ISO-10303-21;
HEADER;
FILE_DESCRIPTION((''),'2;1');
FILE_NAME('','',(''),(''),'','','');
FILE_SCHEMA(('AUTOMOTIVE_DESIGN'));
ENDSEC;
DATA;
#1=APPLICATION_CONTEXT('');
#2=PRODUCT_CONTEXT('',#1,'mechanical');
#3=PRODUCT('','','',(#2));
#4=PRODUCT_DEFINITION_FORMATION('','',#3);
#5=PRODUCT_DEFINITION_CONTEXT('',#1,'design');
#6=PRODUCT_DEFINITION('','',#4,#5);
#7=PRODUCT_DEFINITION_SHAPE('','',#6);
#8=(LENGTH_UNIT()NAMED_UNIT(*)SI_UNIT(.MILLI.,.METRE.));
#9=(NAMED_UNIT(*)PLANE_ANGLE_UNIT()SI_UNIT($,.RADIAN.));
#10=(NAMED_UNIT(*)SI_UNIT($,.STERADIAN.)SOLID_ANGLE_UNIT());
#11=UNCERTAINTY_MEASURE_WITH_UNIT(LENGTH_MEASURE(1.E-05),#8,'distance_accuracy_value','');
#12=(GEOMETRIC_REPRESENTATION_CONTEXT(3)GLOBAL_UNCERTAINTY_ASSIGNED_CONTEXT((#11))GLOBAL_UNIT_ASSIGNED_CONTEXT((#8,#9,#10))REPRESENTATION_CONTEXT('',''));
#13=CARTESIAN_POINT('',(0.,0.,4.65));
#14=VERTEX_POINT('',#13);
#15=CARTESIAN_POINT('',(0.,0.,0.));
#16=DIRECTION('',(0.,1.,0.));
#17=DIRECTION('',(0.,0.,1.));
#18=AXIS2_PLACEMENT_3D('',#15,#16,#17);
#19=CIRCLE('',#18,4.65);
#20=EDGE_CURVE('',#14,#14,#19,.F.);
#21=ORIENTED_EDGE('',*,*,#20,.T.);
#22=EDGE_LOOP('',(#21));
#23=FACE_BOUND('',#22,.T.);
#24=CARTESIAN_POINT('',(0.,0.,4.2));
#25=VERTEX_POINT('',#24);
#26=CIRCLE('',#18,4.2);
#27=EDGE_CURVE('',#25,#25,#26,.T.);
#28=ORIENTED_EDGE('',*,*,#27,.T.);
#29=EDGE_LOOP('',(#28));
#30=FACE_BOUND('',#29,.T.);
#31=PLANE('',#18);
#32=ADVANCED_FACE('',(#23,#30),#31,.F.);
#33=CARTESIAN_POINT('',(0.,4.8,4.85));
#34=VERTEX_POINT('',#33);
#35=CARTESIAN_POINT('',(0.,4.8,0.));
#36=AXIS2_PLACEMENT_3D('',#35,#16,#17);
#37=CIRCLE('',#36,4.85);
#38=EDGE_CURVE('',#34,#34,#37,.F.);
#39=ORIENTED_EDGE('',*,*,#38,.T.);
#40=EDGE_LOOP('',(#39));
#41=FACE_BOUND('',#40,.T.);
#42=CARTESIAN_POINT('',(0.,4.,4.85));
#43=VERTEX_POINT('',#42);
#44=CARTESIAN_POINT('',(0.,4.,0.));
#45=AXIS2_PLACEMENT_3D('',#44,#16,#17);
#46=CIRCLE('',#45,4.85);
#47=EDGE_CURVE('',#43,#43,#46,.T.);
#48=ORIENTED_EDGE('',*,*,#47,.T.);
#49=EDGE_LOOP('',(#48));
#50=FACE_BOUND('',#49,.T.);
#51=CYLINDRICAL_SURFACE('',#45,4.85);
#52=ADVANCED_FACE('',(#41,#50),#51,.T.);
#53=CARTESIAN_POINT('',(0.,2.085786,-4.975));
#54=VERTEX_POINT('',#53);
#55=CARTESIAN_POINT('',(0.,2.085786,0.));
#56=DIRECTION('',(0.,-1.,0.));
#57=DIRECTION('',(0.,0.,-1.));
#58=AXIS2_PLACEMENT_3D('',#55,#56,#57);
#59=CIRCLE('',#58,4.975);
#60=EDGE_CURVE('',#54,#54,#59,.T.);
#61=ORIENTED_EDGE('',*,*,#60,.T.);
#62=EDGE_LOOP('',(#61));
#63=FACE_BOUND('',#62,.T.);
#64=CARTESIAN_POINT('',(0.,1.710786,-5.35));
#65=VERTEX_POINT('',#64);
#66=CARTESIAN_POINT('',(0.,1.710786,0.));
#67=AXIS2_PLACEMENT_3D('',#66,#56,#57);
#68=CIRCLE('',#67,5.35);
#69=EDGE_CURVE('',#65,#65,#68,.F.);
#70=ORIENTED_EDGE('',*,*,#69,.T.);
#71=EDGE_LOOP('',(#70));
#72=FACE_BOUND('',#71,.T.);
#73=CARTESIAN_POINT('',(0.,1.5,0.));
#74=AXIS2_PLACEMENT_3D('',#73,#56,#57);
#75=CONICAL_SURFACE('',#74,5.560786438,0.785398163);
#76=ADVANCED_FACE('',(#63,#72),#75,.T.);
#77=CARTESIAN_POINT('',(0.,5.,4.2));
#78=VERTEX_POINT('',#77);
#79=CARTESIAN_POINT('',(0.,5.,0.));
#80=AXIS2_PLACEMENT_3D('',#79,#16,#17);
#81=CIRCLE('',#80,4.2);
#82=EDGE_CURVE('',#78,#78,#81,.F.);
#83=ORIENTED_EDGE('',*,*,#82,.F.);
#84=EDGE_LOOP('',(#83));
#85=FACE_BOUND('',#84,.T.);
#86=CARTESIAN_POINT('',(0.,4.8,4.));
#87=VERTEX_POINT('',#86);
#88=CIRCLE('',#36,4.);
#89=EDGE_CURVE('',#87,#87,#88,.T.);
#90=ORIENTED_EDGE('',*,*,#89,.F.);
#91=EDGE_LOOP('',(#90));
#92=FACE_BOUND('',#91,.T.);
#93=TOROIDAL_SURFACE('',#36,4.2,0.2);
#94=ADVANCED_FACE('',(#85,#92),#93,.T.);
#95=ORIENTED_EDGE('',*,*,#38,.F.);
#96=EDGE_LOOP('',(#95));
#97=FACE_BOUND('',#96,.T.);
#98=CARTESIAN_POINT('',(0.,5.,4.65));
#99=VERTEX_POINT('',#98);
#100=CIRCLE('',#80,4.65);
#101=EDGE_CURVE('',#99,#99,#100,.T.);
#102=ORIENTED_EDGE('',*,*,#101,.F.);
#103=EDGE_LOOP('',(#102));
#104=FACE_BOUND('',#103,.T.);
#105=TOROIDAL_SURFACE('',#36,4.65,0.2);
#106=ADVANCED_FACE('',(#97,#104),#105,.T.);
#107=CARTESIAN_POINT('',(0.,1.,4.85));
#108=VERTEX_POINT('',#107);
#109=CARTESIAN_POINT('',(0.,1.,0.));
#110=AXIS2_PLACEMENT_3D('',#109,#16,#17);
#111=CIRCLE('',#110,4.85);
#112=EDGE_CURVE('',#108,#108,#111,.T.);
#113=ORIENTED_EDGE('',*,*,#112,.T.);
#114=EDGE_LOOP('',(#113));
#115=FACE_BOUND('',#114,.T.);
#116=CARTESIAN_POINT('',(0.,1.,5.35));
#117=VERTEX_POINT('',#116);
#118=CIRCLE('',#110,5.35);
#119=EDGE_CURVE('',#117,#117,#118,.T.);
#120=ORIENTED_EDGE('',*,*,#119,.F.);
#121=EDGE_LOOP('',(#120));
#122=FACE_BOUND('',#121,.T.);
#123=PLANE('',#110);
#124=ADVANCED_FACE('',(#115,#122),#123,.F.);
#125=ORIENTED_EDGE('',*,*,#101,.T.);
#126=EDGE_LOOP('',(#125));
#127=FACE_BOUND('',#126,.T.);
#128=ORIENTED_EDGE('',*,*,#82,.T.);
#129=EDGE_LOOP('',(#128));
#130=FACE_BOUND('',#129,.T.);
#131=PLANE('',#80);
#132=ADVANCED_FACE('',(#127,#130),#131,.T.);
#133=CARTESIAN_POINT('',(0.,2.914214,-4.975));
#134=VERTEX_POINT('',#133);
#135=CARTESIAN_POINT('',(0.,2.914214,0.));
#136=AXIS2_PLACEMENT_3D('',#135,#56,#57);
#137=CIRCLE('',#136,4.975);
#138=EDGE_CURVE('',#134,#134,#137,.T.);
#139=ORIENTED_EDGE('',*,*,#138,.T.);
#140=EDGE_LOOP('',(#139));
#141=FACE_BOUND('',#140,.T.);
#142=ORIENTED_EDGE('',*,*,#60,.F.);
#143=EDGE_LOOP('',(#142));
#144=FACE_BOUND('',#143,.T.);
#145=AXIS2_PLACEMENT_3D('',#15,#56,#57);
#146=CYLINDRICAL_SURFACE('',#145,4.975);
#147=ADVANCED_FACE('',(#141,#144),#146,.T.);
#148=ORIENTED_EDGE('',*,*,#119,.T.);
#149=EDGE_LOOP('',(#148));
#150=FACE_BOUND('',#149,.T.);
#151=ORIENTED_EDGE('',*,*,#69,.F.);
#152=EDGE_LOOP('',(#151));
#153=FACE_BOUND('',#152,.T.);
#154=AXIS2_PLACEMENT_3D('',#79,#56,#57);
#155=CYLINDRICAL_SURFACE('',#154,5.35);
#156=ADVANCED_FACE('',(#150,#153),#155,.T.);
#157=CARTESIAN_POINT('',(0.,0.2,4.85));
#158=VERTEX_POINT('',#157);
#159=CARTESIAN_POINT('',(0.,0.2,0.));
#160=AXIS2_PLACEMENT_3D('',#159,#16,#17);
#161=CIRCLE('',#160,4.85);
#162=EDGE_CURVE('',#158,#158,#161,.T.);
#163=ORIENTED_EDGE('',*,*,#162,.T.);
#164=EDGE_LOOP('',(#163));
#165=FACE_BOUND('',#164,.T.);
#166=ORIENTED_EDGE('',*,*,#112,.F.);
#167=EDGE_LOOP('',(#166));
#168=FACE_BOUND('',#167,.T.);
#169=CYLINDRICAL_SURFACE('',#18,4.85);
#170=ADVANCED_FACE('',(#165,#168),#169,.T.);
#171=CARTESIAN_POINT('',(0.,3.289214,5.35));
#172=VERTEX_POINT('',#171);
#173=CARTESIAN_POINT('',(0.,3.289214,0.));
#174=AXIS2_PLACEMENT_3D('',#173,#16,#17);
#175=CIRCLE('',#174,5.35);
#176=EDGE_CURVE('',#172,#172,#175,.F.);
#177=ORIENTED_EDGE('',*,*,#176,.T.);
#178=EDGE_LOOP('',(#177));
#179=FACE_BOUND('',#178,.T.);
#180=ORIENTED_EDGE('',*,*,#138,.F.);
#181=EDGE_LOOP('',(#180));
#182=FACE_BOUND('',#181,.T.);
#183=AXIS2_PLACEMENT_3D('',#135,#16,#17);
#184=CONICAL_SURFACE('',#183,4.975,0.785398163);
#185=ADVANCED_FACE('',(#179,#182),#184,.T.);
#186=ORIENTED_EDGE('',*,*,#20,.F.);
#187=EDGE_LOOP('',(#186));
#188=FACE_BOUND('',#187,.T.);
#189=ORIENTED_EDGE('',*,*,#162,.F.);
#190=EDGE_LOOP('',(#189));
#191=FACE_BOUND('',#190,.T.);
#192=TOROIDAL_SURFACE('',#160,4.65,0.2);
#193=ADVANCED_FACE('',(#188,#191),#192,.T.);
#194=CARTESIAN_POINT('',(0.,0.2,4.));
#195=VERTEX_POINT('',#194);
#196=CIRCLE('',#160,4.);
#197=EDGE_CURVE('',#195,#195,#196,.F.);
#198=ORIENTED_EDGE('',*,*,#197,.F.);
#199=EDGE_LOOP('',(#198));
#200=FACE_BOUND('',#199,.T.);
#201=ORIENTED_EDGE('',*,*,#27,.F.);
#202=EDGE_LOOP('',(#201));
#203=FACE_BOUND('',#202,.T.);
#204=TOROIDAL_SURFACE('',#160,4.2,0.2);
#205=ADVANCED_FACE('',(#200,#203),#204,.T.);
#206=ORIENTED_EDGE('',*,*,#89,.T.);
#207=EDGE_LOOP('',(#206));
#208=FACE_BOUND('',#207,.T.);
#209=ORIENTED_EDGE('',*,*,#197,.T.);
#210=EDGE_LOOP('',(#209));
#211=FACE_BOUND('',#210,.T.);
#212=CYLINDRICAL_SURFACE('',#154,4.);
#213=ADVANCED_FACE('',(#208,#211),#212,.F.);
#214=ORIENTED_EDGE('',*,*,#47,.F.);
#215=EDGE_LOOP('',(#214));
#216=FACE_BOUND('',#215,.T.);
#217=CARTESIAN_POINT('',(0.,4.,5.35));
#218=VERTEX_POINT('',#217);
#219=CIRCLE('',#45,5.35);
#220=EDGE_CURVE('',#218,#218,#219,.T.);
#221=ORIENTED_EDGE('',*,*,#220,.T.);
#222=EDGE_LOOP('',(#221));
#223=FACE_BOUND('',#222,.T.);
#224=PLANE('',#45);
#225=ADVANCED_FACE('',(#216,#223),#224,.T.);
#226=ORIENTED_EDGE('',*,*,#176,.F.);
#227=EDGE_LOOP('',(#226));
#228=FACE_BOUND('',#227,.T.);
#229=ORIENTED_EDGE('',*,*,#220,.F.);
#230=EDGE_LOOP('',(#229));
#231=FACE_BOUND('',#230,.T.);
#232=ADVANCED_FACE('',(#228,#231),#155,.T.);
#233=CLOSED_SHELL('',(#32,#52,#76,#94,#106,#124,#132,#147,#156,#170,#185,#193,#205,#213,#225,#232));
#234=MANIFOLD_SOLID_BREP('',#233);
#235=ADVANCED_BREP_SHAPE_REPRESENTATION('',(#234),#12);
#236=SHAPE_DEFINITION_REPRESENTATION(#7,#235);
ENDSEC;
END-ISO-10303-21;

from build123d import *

# Parameters (mm, degrees)
IZIM1_R                     = 5.35
IZIM1_R_2                   = 4
Y_KSEKLIK_EKSTR_ZYON1_DEPTH = 5
IZIM4_R                     = 5.35
IZIM4_R_2                   = 4.85
KES_EKSTR_ZYON1_DEPTH       = 1
L_O_ALTMA1_COUNT            = 2
L_O_ALTMA1_PITCH            = 4
RADYUS1_R                   = 0.2


with BuildPart() as part:
    # Çizim1 → Yükseklik-Ekstrüzyon1 (new body)
    with BuildSketch(Plane(origin=(0, 0, 0), x_dir=(1, 0, 0), z_dir=(0, 1, 0))):
        Circle(IZIM1_R)
        Circle(IZIM1_R_2, mode=Mode.SUBTRACT)
    extrude(amount=Y_KSEKLIK_EKSTR_ZYON1_DEPTH)

    # Çizim4 → Kes-Ekstrüzyon1 (cut)
    with BuildSketch(Plane(origin=(0, 5, 0), x_dir=(1, 0, 0), z_dir=(0, 1, 0))):
        Circle(IZIM4_R)
        Circle(IZIM4_R_2, mode=Mode.SUBTRACT)
    kes_ekstr_zyon1 = extrude(amount=-KES_EKSTR_ZYON1_DEPTH, mode=Mode.SUBTRACT)

    # LÇoğaltma1: Kes-Ekstrüzyon1 ×2
    with Locations(*[(0, -i * L_O_ALTMA1_PITCH, 0) for i in range(1, L_O_ALTMA1_COUNT)]):
        add(kes_ekstr_zyon1, mode=Mode.SUBTRACT)

    # Çizim6 → Kes-Döndür1 (revolve, cut)
    with BuildSketch(Plane.XY):
        Polygon((-5.560786438, 3.5), (-4.975, 2.914213562), (-4.975, 2.085786438), (-5.560786438, 1.5), align=None)
    revolve(axis=Axis((0, 0, 0), (0, 1, 0)), mode=Mode.SUBTRACT)

    # Radyus1
    radyus1_edges = [part.edges().sort_by_distance(p)[0] for p in [
        (-4.85, 5, 0),
        (-4.85, 0, 0),
        (-4, 0, 0),
        (-4, 5, 0),
    ]]
    fillet(radyus1_edges, radius=RADYUS1_R)


solid = part.part
